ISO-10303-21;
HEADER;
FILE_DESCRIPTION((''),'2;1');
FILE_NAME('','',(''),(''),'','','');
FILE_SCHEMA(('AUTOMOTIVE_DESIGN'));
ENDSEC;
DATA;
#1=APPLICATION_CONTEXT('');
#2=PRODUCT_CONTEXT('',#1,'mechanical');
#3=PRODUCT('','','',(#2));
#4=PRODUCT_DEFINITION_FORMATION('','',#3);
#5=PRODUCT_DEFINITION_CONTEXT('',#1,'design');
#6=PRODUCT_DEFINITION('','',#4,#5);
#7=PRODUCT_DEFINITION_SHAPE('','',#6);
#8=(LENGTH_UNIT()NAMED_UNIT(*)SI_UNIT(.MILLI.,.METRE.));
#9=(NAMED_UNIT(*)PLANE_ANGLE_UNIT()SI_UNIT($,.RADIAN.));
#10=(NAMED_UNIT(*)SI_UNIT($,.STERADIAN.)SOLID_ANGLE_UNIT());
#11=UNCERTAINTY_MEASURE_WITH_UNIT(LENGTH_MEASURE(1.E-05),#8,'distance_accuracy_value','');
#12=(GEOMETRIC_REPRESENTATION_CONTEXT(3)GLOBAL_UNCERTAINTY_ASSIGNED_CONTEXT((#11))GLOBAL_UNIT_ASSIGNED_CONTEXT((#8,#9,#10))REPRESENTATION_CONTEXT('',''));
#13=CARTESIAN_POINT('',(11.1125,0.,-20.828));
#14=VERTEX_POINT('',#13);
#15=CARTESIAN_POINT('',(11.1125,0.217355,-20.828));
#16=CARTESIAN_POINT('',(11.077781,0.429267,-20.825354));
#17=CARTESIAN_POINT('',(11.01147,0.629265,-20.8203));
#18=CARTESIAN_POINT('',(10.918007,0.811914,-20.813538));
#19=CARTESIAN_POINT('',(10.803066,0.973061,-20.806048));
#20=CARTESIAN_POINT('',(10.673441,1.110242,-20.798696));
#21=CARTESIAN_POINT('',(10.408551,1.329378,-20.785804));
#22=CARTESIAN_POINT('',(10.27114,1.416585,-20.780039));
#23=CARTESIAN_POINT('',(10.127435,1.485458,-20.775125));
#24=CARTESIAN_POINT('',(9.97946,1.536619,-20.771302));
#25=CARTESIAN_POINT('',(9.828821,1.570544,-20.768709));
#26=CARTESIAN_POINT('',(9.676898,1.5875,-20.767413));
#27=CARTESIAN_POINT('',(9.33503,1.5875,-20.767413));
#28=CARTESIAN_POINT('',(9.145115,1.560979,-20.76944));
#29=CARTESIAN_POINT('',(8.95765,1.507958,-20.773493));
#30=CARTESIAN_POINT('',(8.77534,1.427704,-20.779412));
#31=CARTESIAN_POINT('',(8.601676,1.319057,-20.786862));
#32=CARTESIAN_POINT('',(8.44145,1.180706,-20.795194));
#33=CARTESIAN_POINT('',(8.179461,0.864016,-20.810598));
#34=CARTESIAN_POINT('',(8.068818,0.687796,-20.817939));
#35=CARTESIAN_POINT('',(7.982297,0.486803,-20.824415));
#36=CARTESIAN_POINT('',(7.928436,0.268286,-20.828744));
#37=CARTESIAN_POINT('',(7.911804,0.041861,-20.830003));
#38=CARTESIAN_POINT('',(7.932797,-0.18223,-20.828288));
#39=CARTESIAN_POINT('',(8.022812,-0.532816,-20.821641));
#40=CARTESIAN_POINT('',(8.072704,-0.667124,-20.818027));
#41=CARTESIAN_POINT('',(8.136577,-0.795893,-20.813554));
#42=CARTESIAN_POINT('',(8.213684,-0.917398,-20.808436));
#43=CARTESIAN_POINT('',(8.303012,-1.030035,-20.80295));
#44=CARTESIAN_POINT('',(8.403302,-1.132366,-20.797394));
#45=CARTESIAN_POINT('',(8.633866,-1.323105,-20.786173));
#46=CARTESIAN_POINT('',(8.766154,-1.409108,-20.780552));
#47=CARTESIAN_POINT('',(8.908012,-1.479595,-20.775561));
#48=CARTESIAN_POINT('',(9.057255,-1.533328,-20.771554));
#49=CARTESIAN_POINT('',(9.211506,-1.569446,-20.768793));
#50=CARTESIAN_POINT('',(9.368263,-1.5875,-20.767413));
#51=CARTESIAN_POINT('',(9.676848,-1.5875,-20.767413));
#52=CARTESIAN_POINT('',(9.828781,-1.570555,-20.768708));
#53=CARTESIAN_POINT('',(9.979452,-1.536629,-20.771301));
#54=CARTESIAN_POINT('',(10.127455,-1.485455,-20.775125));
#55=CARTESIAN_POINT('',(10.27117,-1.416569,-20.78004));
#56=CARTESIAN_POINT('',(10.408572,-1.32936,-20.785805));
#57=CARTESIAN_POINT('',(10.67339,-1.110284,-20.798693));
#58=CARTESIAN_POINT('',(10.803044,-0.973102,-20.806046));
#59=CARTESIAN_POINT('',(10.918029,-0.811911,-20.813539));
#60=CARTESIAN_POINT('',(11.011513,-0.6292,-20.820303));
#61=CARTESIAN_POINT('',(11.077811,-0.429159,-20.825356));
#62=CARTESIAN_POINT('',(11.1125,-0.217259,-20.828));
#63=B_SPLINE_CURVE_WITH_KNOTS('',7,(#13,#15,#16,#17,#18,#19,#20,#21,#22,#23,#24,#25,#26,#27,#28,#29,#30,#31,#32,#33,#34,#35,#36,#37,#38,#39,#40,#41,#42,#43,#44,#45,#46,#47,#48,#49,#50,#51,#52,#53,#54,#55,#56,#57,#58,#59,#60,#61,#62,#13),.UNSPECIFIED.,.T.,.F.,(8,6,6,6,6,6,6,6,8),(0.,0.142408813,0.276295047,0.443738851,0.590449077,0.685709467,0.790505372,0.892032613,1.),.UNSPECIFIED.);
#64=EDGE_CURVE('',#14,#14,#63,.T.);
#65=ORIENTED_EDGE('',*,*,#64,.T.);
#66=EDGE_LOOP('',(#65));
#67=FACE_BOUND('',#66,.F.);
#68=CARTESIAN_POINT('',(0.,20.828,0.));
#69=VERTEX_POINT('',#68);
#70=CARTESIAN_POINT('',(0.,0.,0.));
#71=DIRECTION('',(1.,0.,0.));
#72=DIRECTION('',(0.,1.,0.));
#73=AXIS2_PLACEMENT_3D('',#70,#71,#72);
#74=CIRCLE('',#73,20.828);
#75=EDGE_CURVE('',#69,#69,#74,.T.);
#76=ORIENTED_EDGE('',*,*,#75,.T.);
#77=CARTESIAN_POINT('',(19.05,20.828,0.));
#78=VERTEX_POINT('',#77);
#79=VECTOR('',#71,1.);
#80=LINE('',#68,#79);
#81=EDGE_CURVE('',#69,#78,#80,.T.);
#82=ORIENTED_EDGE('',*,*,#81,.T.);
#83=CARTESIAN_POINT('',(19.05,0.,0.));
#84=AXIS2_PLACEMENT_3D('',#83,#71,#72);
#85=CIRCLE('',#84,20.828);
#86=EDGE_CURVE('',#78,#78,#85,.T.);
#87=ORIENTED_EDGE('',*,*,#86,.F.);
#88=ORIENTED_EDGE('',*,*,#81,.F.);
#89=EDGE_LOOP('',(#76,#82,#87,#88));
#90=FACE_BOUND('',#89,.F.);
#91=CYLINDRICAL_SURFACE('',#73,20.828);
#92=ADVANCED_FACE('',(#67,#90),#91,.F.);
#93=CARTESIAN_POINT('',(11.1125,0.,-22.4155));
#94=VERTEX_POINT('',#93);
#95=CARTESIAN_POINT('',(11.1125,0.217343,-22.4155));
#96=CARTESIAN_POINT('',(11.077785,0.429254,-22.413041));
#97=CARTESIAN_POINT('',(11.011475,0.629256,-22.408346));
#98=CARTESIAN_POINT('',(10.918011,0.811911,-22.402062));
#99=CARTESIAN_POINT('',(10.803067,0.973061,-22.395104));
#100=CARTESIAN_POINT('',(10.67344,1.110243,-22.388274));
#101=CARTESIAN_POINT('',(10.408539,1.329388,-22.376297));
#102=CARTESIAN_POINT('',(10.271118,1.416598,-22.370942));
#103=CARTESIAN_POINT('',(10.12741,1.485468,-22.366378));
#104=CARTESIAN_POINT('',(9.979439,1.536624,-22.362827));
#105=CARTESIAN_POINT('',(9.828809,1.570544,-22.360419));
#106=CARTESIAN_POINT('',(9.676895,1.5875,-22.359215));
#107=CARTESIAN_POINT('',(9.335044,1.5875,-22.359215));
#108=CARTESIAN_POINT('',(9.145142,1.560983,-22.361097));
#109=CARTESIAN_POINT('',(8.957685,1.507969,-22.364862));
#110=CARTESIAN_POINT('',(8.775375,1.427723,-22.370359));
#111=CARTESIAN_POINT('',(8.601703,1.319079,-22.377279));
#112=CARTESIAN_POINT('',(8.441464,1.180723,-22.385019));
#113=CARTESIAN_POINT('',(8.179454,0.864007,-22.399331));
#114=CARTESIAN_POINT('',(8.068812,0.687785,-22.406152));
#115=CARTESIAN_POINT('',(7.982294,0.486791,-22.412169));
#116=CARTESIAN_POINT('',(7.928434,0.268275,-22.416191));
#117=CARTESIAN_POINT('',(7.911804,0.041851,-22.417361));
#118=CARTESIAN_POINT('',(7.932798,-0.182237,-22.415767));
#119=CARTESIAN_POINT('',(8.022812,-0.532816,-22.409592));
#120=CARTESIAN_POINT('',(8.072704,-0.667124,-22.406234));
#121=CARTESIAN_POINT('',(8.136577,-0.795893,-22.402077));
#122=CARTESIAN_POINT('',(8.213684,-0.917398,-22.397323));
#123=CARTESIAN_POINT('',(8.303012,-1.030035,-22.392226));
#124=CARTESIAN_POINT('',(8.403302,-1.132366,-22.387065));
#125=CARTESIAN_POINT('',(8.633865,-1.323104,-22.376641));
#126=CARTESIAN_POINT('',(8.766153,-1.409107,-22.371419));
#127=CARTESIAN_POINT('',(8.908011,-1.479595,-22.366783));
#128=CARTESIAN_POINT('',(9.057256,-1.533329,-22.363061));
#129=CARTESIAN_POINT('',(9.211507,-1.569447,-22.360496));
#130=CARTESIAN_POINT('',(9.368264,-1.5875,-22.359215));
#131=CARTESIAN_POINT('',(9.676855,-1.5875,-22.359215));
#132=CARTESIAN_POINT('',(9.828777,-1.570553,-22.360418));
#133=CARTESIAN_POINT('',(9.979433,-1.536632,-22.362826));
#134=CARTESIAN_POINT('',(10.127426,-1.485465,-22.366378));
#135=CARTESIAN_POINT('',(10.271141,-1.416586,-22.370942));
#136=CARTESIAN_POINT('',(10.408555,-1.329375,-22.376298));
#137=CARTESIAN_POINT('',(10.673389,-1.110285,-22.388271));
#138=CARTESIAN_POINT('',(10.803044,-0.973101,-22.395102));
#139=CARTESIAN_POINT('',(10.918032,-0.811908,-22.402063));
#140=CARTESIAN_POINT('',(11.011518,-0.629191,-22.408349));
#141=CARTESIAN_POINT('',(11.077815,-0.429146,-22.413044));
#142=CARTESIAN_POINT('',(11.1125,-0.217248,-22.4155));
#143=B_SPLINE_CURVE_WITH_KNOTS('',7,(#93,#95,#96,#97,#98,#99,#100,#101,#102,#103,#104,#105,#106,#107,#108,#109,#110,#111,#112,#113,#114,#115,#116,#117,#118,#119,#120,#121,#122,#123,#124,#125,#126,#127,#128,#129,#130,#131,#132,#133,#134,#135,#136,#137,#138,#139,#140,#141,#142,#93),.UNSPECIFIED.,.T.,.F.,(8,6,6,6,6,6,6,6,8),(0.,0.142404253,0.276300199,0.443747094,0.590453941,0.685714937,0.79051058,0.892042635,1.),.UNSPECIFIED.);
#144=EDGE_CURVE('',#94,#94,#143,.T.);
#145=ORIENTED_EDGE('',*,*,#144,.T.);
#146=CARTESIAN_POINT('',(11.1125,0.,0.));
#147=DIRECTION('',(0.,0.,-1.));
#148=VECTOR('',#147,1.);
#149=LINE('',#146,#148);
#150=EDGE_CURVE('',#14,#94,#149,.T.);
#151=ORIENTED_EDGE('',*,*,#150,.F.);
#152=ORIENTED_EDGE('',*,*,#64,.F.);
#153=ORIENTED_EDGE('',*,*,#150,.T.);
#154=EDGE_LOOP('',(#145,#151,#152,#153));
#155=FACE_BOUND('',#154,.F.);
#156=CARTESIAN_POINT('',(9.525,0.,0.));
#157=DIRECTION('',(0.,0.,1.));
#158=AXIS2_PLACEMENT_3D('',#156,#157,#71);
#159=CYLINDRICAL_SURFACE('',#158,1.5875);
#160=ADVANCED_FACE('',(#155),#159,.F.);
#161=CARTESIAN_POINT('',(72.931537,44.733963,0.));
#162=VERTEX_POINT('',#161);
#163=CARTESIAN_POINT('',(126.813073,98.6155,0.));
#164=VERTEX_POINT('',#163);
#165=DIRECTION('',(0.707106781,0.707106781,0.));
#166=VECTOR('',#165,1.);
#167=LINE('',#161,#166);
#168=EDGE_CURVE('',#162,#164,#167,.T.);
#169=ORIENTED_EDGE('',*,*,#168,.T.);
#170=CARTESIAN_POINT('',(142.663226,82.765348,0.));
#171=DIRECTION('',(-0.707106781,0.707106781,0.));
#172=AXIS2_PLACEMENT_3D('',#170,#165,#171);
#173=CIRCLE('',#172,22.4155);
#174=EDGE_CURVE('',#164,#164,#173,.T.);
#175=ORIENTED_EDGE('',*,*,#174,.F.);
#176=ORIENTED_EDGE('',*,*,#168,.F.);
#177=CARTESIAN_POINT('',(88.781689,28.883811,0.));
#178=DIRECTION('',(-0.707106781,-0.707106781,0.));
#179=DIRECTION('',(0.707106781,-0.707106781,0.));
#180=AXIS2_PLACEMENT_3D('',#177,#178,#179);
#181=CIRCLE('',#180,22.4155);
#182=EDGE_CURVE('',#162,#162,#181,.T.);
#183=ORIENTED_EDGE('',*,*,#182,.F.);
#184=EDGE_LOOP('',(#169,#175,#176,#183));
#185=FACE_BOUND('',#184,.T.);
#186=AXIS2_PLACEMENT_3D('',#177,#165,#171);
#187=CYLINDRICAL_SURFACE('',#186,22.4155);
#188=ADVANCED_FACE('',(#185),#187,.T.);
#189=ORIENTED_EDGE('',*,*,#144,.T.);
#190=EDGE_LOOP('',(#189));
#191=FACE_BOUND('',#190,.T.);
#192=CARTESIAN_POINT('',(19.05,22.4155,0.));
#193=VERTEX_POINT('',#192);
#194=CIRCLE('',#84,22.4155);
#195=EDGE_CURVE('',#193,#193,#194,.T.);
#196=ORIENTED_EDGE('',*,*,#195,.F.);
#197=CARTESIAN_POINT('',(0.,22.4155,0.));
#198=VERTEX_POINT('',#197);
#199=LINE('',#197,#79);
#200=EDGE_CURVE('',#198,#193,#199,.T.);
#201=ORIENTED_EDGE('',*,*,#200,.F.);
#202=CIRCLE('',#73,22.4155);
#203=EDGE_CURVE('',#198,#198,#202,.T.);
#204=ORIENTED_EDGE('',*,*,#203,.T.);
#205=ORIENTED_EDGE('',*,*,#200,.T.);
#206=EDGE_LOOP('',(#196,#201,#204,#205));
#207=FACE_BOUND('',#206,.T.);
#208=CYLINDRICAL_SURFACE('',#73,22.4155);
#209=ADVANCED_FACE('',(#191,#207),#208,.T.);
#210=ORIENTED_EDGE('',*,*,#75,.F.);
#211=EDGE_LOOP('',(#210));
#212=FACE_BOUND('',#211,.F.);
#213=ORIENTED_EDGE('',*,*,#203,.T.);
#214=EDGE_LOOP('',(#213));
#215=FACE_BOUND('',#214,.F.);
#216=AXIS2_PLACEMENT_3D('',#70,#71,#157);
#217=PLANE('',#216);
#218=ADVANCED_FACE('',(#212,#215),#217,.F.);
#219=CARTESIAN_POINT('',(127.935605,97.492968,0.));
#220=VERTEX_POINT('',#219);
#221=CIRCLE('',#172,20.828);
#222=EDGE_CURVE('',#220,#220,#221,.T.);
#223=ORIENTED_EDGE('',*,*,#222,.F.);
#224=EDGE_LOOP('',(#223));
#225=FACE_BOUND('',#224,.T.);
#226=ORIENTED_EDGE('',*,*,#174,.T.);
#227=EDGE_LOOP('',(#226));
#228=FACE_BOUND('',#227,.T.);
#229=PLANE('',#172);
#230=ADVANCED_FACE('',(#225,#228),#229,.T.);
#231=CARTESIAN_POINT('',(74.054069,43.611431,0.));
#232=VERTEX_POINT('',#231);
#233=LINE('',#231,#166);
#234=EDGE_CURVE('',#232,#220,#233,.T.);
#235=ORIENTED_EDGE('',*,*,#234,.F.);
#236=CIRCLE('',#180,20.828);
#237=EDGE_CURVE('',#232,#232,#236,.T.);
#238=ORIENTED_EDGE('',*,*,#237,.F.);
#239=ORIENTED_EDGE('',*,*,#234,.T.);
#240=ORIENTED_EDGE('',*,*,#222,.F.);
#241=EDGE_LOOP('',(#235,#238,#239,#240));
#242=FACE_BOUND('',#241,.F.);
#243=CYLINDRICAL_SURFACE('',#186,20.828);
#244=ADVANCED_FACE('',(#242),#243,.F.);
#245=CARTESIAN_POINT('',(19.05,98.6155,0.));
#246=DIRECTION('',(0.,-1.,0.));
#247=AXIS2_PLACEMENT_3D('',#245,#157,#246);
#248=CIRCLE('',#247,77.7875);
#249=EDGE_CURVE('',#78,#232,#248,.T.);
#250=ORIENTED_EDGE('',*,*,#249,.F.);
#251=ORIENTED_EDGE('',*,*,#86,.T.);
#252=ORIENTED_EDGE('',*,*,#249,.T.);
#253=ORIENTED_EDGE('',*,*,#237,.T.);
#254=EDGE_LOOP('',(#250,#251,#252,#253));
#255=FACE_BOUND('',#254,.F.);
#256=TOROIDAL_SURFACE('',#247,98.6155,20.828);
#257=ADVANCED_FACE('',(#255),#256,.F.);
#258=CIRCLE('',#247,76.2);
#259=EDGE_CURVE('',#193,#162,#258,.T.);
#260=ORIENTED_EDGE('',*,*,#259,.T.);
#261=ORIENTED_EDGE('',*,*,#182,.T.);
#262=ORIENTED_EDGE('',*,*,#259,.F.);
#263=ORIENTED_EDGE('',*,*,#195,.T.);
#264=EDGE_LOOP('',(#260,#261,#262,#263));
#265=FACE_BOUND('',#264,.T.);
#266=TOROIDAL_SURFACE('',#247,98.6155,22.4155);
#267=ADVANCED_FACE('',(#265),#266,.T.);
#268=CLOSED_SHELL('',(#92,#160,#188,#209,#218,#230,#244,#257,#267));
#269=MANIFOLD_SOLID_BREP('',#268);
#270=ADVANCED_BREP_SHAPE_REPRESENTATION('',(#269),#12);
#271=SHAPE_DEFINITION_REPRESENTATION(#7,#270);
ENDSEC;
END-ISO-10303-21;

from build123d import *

# Parameters (mm, degrees)
F1_R     = 22.4155
F1_R_2   = 20.828
F3_R     = 1.5875
F4_DEPTH = 23.4155001226


with BuildPart() as f2:
    # F2: sweep along a path in F0
    with BuildLine(Plane.XY) as f2_path:
        Line((0, 0), (19.05, 0))
        ThreePointArc((19.05, 0), (56.7885180244, 7.5066579616), (88.7816887801, 28.8838112199))
        Line((88.7816887801, 28.8838112199), (142.6632255065, 82.7653479463))
    # F1 (on Right) → F2 (sweep)
    with BuildSketch(Plane.YZ):
        Circle(F1_R)
        Circle(F1_R_2, mode=Mode.SUBTRACT)
    sweep(path=f2_path.line)

    # F3 (on Top) → F4 (cut, up to face)
    with BuildSketch(Plane.XY):
        with Locations((9.525, 0)):
            Circle(F3_R)
    extrude(amount=-F4_DEPTH, mode=Mode.SUBTRACT)


solid = f2.part
